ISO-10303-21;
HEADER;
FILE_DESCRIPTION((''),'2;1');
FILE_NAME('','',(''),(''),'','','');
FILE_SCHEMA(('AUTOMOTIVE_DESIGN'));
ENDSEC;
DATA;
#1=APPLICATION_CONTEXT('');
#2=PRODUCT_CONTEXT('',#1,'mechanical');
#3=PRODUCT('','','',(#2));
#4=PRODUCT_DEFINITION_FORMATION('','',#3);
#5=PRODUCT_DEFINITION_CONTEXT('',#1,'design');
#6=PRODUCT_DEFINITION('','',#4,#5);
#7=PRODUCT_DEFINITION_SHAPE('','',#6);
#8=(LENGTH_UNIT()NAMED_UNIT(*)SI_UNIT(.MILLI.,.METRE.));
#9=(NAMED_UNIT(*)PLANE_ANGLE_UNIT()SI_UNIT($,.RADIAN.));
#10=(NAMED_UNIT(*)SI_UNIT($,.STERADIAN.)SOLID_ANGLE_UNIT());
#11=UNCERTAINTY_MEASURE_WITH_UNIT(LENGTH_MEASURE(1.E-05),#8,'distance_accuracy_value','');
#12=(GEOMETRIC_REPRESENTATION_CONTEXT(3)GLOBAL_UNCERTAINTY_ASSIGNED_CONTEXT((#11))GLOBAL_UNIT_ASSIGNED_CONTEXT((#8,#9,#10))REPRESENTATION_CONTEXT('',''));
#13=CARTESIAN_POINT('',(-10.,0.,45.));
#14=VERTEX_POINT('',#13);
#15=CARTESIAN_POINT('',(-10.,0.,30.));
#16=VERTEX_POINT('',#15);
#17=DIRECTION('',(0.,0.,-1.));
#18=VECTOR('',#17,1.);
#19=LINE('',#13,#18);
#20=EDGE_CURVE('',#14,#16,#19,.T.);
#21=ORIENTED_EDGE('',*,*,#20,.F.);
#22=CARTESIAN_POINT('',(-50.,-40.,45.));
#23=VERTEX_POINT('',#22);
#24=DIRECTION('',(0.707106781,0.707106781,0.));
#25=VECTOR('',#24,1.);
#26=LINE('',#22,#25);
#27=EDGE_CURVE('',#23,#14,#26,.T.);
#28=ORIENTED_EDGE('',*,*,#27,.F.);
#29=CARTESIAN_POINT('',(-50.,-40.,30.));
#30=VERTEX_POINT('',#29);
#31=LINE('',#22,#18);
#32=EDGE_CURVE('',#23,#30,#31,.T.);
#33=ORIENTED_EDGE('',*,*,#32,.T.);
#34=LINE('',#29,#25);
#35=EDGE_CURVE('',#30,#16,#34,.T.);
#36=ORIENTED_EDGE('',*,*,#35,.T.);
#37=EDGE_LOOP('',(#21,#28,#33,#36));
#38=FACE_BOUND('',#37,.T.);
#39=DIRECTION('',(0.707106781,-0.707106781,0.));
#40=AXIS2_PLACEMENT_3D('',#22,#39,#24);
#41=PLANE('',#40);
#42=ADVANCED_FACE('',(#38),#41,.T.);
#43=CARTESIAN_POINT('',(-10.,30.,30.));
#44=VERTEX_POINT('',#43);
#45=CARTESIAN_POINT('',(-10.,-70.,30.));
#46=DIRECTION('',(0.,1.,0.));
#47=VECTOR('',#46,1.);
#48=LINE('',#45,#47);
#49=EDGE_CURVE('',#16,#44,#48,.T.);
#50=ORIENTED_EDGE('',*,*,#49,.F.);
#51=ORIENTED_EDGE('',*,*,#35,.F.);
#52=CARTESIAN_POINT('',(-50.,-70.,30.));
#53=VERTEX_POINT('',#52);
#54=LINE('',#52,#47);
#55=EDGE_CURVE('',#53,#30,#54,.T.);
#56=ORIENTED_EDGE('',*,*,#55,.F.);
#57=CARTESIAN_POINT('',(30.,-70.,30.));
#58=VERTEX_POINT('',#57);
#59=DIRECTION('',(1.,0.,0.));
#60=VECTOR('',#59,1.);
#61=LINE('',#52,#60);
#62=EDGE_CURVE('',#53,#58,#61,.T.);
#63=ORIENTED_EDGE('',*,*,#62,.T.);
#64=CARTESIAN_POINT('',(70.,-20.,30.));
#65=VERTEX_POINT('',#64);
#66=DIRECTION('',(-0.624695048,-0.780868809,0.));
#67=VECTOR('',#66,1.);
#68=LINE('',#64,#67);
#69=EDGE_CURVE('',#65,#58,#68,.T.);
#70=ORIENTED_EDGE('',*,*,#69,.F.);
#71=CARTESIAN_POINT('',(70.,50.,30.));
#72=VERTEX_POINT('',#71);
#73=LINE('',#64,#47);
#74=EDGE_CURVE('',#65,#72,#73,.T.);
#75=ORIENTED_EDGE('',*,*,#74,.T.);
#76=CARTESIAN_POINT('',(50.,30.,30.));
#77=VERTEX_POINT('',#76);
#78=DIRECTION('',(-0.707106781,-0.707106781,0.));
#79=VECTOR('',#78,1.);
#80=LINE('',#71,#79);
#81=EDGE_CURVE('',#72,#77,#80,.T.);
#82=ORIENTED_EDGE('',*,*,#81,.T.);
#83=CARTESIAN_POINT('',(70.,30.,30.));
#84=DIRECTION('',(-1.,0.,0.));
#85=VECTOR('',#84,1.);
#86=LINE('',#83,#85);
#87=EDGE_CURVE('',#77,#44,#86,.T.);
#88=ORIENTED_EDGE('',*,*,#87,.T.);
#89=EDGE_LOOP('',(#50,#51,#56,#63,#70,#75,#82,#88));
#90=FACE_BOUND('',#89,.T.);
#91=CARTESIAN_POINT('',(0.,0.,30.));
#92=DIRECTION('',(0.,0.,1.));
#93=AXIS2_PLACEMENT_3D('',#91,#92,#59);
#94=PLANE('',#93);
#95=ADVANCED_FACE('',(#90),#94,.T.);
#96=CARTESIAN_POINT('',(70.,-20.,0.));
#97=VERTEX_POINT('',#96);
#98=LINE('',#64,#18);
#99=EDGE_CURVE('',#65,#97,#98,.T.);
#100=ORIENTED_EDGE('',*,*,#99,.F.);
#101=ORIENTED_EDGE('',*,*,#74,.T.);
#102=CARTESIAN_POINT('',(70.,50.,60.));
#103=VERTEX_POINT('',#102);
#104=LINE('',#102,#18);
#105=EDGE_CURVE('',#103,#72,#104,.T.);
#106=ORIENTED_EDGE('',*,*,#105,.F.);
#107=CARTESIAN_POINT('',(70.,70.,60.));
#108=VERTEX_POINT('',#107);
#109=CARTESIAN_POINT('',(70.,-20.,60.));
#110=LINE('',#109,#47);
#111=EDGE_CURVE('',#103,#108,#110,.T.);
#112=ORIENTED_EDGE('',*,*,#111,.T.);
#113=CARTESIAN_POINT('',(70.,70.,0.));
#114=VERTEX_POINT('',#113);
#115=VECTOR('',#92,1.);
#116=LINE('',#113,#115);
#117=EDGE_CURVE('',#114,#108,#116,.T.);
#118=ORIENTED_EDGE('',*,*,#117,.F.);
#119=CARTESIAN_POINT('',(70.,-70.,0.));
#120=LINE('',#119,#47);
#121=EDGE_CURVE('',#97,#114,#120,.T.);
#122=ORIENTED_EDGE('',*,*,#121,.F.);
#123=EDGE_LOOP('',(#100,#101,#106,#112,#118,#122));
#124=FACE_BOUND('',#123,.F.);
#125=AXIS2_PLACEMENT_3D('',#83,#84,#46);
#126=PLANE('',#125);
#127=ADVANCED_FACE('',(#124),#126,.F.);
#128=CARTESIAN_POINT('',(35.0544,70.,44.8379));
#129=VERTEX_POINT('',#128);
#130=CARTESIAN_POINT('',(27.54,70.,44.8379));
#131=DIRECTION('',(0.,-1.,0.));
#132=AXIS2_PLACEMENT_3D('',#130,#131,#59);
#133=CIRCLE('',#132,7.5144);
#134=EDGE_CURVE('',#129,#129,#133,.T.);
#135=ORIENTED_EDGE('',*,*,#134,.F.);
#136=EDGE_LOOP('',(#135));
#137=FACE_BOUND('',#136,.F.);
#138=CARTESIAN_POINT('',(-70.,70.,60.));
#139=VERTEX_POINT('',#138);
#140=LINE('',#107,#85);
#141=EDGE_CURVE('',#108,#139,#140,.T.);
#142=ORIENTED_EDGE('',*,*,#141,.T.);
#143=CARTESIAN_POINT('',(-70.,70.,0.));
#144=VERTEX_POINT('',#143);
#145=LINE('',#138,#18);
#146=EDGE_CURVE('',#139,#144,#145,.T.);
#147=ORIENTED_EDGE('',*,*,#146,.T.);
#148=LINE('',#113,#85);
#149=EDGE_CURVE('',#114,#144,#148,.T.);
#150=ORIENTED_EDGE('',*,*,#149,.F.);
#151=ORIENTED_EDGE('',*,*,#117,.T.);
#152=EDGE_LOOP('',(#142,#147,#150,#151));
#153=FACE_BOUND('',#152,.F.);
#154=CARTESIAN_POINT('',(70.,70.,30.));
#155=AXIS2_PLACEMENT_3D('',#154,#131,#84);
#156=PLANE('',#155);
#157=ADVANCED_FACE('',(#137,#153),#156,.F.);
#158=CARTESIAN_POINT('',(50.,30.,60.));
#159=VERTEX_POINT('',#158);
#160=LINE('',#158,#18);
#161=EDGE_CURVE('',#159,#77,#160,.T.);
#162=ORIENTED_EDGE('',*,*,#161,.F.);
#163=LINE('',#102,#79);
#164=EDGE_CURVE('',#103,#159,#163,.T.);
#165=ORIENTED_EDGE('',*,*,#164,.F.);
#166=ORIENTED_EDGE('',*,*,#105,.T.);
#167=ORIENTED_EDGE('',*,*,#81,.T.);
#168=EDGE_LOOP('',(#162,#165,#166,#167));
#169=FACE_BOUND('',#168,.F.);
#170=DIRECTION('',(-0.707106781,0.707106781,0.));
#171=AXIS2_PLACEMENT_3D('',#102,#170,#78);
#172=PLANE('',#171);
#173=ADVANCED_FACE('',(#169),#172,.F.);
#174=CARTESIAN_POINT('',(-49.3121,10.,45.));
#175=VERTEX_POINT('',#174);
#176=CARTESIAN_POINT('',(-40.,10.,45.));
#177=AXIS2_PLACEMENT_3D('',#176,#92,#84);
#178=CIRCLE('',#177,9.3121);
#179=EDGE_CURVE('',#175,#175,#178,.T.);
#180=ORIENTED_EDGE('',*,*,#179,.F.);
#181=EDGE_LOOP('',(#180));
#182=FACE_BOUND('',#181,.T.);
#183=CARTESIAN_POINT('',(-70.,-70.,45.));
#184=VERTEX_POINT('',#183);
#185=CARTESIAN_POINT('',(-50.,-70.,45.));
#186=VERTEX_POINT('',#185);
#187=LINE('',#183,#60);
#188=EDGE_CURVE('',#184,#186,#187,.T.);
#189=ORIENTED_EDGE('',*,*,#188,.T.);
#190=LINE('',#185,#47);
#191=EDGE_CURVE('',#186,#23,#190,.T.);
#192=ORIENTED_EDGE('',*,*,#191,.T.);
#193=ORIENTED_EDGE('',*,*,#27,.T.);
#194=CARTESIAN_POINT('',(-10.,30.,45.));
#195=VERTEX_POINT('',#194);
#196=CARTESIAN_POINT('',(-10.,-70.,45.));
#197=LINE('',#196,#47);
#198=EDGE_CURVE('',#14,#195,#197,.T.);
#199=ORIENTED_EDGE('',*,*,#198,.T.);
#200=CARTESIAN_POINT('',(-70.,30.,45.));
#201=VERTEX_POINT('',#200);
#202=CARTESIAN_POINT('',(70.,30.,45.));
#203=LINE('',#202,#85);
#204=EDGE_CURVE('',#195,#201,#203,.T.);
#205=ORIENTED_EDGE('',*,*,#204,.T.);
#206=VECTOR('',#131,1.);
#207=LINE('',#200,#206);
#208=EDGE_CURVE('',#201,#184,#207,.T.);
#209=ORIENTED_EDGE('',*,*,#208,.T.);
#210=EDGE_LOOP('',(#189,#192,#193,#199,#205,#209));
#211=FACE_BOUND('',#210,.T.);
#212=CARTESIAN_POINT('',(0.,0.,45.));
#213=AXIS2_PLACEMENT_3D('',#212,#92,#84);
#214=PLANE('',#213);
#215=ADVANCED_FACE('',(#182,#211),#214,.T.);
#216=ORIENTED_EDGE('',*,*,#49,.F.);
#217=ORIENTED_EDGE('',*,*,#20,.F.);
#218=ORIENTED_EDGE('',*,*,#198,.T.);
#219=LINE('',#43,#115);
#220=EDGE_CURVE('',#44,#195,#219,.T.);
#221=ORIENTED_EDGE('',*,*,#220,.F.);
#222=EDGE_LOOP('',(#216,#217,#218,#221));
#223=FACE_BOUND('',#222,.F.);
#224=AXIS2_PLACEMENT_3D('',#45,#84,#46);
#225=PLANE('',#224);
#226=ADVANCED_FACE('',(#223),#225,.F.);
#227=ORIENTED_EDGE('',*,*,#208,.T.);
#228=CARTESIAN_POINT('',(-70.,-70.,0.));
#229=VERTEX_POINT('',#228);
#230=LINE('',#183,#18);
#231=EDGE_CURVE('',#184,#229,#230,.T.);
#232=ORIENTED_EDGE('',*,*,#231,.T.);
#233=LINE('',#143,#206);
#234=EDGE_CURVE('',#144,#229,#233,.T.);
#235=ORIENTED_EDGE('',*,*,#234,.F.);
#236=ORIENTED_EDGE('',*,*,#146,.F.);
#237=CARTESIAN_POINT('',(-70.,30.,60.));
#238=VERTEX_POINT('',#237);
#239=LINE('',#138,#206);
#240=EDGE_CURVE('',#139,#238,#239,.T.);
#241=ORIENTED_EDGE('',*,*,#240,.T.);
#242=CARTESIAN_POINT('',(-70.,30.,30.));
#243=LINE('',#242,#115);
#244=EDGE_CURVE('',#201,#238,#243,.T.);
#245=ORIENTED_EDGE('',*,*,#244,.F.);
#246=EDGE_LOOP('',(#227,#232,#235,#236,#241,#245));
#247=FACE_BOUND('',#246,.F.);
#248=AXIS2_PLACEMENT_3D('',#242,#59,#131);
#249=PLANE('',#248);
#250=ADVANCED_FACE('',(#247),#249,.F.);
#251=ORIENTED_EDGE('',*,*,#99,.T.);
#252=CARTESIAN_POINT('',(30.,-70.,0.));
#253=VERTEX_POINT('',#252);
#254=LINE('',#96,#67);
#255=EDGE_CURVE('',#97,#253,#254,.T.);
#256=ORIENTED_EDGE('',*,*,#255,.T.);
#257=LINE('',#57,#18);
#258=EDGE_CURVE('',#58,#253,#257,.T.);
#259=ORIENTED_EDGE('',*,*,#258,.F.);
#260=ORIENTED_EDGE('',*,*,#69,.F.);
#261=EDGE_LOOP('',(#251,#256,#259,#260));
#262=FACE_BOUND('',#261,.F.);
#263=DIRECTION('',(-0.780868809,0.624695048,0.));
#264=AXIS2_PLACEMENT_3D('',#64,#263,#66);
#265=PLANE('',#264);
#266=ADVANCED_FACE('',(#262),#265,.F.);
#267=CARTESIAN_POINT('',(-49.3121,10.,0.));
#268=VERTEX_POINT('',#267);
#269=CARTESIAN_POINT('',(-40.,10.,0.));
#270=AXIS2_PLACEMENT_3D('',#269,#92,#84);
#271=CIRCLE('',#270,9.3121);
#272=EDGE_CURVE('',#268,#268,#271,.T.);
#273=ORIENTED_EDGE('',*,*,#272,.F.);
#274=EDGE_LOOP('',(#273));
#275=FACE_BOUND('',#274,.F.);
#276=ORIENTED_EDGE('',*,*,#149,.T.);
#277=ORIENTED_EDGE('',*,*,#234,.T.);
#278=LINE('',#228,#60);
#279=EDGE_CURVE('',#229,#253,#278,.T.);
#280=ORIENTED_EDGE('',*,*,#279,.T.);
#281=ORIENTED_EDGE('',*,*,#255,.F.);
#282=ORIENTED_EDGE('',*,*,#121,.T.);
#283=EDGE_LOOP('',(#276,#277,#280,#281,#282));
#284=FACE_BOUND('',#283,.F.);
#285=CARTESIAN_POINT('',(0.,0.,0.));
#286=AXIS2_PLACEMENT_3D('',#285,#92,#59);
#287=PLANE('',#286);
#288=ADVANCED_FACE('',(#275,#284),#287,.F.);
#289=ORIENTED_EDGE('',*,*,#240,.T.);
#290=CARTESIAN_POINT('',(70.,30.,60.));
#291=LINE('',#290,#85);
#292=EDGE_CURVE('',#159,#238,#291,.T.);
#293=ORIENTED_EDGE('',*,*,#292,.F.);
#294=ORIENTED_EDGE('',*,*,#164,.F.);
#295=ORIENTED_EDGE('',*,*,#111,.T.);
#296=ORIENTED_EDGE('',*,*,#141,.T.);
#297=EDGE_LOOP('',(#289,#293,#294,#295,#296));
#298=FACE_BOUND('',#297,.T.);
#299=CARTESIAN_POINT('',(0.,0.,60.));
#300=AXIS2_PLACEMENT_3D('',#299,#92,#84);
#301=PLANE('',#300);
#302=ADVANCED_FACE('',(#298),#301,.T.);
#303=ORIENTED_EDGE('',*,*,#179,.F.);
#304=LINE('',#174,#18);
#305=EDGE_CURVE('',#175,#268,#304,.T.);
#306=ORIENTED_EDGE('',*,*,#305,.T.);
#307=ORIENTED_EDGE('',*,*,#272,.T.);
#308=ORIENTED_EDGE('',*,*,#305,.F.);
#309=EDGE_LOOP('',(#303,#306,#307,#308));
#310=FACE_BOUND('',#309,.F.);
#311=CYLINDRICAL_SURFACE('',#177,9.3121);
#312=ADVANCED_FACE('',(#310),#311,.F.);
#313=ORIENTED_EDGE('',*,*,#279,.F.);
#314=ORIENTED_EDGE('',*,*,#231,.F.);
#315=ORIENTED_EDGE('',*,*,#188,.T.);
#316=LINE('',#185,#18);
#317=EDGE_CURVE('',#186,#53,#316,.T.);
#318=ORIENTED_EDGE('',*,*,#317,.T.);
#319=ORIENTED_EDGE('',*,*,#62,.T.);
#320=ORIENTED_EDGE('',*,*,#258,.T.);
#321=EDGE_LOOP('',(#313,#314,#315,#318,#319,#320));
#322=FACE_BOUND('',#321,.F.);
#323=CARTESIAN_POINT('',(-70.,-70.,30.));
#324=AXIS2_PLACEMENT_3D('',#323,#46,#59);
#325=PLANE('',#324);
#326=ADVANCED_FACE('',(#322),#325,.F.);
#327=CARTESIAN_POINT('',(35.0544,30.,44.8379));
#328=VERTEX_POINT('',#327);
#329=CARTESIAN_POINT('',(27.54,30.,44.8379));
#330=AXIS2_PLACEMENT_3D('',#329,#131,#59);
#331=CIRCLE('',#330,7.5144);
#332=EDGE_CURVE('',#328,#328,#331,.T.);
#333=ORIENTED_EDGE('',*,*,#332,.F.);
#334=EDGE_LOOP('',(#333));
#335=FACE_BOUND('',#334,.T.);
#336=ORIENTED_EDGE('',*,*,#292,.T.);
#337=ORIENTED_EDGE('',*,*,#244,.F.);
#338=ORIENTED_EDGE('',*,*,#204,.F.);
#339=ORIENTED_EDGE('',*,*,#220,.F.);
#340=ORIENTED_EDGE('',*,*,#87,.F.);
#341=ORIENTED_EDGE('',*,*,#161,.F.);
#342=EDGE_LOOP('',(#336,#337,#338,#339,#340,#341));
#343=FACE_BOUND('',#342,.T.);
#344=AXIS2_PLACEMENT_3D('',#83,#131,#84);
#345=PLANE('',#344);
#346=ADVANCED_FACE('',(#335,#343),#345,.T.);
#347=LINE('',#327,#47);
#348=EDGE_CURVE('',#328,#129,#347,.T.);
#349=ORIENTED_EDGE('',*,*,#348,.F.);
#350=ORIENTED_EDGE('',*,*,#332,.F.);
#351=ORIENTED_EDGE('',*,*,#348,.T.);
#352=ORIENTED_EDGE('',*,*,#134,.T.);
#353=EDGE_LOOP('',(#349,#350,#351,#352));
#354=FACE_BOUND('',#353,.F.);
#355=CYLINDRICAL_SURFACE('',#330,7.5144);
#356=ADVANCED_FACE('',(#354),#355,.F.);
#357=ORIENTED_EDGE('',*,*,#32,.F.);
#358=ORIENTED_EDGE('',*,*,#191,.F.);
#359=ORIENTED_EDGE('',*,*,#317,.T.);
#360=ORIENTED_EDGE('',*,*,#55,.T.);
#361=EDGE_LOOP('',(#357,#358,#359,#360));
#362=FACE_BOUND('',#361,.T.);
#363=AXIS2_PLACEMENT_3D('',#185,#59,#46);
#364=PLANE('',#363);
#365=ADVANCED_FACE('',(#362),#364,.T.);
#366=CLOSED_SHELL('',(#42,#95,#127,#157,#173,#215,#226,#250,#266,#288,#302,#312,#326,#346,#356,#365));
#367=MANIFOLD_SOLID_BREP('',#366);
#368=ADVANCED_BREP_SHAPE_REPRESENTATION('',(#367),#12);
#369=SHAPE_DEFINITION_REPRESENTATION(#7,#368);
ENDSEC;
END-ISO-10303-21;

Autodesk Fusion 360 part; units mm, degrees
sketch "Sketch1" plane through (0, 0, 0) normal (0, 0, 1) x (1, 0, 0) in component "box"
  line L0 (70, 70) -> (-70, 70)
  line L1 (-70, 70) -> (-70, -70)
  line L2 (-70, -70) -> (70, -70)
  line L3 (70, -70) -> (70, 70)
  line L4 (70, 70) -> (-70, -70) construction
  line L5 (-70, 70) -> (70, -70) construction
  dimension "d1" = 140
extrude "Extrude1" add sketch "Sketch1" along normal blind 30 in component "box"
sketch "Sketch2" plane through (0, -70, 0) normal (0, -1, 0) x (1, 0, 0) in component "box"
  line L0 (-70, 0) -> (70, 0)
  line L1 (70, 0) -> (70, 30)
  line L2 (70, 30) -> (-70, 30)
  line L3 (-70, 30) -> (-70, 0)
sketch "Sketch3" plane through (0, 0, 30) normal (0, 0, 1) x (-1, 0, 0) in component "box"
  line L0 (-70, 70) -> (-70, -70)
  line L1 (-70, -70) -> (70, -70)
  line L2 (70, -70) -> (70, 70)
  line L3 (70, 70) -> (-70, 70)
  line L4 (-70, 20) -> (-30, 70)
  line L5 (-30, 70) -> (-70, 70)
  line L6 (-70, 20) -> (-70, 70)
extrude "Extrude2" cut sketch "Sketch3" against normal up to surface (30 mm away) contours L0 L3 L4 L5 L6 in component "box"
sketch "Sketch4" plane through (0, 0, 30) normal (0, 0, 1) x (-1, 0, 0) in component "box"
  line L0 (-30, 70) -> (-70, 20)
  line L1 (-70, 20) -> (-70, -70)
  line L2 (-70, -70) -> (70, -70)
  line L3 (70, -70) -> (70, 70)
  line L4 (70, 70) -> (-30, 70)
  line L5 (-70, -30) -> (70, -30)
  line L6 (70, -30) -> (70, -70)
  line L7 (70, -70) -> (-70, -70)
  line L8 (-70, -70) -> (-70, -30)
  line L9 (-70, -30) -> (70, -70) construction
  line L10 (70, -30) -> (-70, -70) construction
  point P0 (0, -50)
extrude "Extrude3" add sketch "Sketch4" along normal blind 30 contours L1 L2 L3 L5 L6 L7 L8 in component "box"
sketch "Sketch5" plane through (0, 0, 30) normal (0, 0, 1) x (-1, 0, 0) in component "box"
  line L0 (-70, -30) -> (70, -30)
  line L1 (70, -30) -> (70, 70)
  line L2 (70, 70) -> (-30, 70)
  line L3 (-30, 70) -> (-70, 20)
  line L4 (-70, 20) -> (-70, -30)
  line L5 (10, -30) -> (70, -30)
  line L6 (70, -30) -> (70, 70)
  line L7 (70, 70) -> (10, 70)
  line L8 (10, 70) -> (10, -30)
  line L9 (10, -30) -> (70, 70) construction
  line L10 (70, -30) -> (10, 70) construction
  point P0 (40, 20)
extrude "Extrude4" add sketch "Sketch5" along normal blind 15 contours L0 L1 L2 L5 L6 L7 L8 in component "box"
sketch "Sketch6" plane through (0, 0, 45) normal (0, 0, 1) x (-1, 0, 0) in component "box"
  line L0 (10, 70) -> (10, -30)
  line L1 (10, -30) -> (70, -30)
  line L2 (70, -30) -> (70, 70)
  line L3 (70, 70) -> (10, 70)
  line L4 (50, 70) -> (50, 40)
  line L5 (50, 40) -> (10, 0)
  line L6 (10, 70) -> (50, 70)
extrude "Extrude5" cut sketch "Sketch6" against normal blind 15 contours L0 L3 L4 L5 L6 in component "box"
sketch "Sketch7" plane through (0, 0, 60) normal (0, 0, 1) x (-1, 0, 0) in component "box"
  line L0 (-70, -70) -> (70, -70)
  line L1 (70, -70) -> (70, -30)
  line L2 (70, -30) -> (-70, -30)
  line L3 (-70, -30) -> (-70, -70)
  line L4 (-70, -50) -> (-50, -30)
  line L5 (-70, -30) -> (-70, -50)
extrude "Extrude6" cut sketch "Sketch7" against normal blind 30 contours L2 L3 L4 L5 in component "box"
sketch "Sketch8" plane through (0, 0, 45) normal (0, 0, 1) x (-1, 0, 0) in component "box"
  line L0 (50, 40) -> (10, 0)
  line L1 (10, 0) -> (10, -30)
  line L2 (10, -30) -> (70, -30)
  line L3 (70, -30) -> (70, 70)
  line L4 (70, 70) -> (50, 70)
  line L5 (50, 70) -> (50, 40)
  circle A0 centre (40, -10) radius 9.3121
extrude "Extrude7" cut sketch "Sketch8" against normal blind 45 contours A0 in component "box"
sketch "Sketch9" plane through (0, 30, 0) normal (0, -1, 0) x (1, 0, 0) in component "box"
  line L0 (50, 30) -> (50, 60)
  line L1 (50, 60) -> (-70, 60)
  line L2 (-70, 60) -> (-70, 45)
  line L3 (-70, 45) -> (-10, 45)
  line L4 (-10, 45) -> (-10, 30)
  line L5 (-10, 30) -> (50, 30)
  circle A0 centre (27.54, 44.8379) radius 7.5144
extrude "Extrude8" cut sketch "Sketch9" against normal blind 40 contours A0 in component "box"
component "box" placed x (1, 0, 0) y (0, 1, 0) z (0, 0, 1) at (0, 0, 0)
